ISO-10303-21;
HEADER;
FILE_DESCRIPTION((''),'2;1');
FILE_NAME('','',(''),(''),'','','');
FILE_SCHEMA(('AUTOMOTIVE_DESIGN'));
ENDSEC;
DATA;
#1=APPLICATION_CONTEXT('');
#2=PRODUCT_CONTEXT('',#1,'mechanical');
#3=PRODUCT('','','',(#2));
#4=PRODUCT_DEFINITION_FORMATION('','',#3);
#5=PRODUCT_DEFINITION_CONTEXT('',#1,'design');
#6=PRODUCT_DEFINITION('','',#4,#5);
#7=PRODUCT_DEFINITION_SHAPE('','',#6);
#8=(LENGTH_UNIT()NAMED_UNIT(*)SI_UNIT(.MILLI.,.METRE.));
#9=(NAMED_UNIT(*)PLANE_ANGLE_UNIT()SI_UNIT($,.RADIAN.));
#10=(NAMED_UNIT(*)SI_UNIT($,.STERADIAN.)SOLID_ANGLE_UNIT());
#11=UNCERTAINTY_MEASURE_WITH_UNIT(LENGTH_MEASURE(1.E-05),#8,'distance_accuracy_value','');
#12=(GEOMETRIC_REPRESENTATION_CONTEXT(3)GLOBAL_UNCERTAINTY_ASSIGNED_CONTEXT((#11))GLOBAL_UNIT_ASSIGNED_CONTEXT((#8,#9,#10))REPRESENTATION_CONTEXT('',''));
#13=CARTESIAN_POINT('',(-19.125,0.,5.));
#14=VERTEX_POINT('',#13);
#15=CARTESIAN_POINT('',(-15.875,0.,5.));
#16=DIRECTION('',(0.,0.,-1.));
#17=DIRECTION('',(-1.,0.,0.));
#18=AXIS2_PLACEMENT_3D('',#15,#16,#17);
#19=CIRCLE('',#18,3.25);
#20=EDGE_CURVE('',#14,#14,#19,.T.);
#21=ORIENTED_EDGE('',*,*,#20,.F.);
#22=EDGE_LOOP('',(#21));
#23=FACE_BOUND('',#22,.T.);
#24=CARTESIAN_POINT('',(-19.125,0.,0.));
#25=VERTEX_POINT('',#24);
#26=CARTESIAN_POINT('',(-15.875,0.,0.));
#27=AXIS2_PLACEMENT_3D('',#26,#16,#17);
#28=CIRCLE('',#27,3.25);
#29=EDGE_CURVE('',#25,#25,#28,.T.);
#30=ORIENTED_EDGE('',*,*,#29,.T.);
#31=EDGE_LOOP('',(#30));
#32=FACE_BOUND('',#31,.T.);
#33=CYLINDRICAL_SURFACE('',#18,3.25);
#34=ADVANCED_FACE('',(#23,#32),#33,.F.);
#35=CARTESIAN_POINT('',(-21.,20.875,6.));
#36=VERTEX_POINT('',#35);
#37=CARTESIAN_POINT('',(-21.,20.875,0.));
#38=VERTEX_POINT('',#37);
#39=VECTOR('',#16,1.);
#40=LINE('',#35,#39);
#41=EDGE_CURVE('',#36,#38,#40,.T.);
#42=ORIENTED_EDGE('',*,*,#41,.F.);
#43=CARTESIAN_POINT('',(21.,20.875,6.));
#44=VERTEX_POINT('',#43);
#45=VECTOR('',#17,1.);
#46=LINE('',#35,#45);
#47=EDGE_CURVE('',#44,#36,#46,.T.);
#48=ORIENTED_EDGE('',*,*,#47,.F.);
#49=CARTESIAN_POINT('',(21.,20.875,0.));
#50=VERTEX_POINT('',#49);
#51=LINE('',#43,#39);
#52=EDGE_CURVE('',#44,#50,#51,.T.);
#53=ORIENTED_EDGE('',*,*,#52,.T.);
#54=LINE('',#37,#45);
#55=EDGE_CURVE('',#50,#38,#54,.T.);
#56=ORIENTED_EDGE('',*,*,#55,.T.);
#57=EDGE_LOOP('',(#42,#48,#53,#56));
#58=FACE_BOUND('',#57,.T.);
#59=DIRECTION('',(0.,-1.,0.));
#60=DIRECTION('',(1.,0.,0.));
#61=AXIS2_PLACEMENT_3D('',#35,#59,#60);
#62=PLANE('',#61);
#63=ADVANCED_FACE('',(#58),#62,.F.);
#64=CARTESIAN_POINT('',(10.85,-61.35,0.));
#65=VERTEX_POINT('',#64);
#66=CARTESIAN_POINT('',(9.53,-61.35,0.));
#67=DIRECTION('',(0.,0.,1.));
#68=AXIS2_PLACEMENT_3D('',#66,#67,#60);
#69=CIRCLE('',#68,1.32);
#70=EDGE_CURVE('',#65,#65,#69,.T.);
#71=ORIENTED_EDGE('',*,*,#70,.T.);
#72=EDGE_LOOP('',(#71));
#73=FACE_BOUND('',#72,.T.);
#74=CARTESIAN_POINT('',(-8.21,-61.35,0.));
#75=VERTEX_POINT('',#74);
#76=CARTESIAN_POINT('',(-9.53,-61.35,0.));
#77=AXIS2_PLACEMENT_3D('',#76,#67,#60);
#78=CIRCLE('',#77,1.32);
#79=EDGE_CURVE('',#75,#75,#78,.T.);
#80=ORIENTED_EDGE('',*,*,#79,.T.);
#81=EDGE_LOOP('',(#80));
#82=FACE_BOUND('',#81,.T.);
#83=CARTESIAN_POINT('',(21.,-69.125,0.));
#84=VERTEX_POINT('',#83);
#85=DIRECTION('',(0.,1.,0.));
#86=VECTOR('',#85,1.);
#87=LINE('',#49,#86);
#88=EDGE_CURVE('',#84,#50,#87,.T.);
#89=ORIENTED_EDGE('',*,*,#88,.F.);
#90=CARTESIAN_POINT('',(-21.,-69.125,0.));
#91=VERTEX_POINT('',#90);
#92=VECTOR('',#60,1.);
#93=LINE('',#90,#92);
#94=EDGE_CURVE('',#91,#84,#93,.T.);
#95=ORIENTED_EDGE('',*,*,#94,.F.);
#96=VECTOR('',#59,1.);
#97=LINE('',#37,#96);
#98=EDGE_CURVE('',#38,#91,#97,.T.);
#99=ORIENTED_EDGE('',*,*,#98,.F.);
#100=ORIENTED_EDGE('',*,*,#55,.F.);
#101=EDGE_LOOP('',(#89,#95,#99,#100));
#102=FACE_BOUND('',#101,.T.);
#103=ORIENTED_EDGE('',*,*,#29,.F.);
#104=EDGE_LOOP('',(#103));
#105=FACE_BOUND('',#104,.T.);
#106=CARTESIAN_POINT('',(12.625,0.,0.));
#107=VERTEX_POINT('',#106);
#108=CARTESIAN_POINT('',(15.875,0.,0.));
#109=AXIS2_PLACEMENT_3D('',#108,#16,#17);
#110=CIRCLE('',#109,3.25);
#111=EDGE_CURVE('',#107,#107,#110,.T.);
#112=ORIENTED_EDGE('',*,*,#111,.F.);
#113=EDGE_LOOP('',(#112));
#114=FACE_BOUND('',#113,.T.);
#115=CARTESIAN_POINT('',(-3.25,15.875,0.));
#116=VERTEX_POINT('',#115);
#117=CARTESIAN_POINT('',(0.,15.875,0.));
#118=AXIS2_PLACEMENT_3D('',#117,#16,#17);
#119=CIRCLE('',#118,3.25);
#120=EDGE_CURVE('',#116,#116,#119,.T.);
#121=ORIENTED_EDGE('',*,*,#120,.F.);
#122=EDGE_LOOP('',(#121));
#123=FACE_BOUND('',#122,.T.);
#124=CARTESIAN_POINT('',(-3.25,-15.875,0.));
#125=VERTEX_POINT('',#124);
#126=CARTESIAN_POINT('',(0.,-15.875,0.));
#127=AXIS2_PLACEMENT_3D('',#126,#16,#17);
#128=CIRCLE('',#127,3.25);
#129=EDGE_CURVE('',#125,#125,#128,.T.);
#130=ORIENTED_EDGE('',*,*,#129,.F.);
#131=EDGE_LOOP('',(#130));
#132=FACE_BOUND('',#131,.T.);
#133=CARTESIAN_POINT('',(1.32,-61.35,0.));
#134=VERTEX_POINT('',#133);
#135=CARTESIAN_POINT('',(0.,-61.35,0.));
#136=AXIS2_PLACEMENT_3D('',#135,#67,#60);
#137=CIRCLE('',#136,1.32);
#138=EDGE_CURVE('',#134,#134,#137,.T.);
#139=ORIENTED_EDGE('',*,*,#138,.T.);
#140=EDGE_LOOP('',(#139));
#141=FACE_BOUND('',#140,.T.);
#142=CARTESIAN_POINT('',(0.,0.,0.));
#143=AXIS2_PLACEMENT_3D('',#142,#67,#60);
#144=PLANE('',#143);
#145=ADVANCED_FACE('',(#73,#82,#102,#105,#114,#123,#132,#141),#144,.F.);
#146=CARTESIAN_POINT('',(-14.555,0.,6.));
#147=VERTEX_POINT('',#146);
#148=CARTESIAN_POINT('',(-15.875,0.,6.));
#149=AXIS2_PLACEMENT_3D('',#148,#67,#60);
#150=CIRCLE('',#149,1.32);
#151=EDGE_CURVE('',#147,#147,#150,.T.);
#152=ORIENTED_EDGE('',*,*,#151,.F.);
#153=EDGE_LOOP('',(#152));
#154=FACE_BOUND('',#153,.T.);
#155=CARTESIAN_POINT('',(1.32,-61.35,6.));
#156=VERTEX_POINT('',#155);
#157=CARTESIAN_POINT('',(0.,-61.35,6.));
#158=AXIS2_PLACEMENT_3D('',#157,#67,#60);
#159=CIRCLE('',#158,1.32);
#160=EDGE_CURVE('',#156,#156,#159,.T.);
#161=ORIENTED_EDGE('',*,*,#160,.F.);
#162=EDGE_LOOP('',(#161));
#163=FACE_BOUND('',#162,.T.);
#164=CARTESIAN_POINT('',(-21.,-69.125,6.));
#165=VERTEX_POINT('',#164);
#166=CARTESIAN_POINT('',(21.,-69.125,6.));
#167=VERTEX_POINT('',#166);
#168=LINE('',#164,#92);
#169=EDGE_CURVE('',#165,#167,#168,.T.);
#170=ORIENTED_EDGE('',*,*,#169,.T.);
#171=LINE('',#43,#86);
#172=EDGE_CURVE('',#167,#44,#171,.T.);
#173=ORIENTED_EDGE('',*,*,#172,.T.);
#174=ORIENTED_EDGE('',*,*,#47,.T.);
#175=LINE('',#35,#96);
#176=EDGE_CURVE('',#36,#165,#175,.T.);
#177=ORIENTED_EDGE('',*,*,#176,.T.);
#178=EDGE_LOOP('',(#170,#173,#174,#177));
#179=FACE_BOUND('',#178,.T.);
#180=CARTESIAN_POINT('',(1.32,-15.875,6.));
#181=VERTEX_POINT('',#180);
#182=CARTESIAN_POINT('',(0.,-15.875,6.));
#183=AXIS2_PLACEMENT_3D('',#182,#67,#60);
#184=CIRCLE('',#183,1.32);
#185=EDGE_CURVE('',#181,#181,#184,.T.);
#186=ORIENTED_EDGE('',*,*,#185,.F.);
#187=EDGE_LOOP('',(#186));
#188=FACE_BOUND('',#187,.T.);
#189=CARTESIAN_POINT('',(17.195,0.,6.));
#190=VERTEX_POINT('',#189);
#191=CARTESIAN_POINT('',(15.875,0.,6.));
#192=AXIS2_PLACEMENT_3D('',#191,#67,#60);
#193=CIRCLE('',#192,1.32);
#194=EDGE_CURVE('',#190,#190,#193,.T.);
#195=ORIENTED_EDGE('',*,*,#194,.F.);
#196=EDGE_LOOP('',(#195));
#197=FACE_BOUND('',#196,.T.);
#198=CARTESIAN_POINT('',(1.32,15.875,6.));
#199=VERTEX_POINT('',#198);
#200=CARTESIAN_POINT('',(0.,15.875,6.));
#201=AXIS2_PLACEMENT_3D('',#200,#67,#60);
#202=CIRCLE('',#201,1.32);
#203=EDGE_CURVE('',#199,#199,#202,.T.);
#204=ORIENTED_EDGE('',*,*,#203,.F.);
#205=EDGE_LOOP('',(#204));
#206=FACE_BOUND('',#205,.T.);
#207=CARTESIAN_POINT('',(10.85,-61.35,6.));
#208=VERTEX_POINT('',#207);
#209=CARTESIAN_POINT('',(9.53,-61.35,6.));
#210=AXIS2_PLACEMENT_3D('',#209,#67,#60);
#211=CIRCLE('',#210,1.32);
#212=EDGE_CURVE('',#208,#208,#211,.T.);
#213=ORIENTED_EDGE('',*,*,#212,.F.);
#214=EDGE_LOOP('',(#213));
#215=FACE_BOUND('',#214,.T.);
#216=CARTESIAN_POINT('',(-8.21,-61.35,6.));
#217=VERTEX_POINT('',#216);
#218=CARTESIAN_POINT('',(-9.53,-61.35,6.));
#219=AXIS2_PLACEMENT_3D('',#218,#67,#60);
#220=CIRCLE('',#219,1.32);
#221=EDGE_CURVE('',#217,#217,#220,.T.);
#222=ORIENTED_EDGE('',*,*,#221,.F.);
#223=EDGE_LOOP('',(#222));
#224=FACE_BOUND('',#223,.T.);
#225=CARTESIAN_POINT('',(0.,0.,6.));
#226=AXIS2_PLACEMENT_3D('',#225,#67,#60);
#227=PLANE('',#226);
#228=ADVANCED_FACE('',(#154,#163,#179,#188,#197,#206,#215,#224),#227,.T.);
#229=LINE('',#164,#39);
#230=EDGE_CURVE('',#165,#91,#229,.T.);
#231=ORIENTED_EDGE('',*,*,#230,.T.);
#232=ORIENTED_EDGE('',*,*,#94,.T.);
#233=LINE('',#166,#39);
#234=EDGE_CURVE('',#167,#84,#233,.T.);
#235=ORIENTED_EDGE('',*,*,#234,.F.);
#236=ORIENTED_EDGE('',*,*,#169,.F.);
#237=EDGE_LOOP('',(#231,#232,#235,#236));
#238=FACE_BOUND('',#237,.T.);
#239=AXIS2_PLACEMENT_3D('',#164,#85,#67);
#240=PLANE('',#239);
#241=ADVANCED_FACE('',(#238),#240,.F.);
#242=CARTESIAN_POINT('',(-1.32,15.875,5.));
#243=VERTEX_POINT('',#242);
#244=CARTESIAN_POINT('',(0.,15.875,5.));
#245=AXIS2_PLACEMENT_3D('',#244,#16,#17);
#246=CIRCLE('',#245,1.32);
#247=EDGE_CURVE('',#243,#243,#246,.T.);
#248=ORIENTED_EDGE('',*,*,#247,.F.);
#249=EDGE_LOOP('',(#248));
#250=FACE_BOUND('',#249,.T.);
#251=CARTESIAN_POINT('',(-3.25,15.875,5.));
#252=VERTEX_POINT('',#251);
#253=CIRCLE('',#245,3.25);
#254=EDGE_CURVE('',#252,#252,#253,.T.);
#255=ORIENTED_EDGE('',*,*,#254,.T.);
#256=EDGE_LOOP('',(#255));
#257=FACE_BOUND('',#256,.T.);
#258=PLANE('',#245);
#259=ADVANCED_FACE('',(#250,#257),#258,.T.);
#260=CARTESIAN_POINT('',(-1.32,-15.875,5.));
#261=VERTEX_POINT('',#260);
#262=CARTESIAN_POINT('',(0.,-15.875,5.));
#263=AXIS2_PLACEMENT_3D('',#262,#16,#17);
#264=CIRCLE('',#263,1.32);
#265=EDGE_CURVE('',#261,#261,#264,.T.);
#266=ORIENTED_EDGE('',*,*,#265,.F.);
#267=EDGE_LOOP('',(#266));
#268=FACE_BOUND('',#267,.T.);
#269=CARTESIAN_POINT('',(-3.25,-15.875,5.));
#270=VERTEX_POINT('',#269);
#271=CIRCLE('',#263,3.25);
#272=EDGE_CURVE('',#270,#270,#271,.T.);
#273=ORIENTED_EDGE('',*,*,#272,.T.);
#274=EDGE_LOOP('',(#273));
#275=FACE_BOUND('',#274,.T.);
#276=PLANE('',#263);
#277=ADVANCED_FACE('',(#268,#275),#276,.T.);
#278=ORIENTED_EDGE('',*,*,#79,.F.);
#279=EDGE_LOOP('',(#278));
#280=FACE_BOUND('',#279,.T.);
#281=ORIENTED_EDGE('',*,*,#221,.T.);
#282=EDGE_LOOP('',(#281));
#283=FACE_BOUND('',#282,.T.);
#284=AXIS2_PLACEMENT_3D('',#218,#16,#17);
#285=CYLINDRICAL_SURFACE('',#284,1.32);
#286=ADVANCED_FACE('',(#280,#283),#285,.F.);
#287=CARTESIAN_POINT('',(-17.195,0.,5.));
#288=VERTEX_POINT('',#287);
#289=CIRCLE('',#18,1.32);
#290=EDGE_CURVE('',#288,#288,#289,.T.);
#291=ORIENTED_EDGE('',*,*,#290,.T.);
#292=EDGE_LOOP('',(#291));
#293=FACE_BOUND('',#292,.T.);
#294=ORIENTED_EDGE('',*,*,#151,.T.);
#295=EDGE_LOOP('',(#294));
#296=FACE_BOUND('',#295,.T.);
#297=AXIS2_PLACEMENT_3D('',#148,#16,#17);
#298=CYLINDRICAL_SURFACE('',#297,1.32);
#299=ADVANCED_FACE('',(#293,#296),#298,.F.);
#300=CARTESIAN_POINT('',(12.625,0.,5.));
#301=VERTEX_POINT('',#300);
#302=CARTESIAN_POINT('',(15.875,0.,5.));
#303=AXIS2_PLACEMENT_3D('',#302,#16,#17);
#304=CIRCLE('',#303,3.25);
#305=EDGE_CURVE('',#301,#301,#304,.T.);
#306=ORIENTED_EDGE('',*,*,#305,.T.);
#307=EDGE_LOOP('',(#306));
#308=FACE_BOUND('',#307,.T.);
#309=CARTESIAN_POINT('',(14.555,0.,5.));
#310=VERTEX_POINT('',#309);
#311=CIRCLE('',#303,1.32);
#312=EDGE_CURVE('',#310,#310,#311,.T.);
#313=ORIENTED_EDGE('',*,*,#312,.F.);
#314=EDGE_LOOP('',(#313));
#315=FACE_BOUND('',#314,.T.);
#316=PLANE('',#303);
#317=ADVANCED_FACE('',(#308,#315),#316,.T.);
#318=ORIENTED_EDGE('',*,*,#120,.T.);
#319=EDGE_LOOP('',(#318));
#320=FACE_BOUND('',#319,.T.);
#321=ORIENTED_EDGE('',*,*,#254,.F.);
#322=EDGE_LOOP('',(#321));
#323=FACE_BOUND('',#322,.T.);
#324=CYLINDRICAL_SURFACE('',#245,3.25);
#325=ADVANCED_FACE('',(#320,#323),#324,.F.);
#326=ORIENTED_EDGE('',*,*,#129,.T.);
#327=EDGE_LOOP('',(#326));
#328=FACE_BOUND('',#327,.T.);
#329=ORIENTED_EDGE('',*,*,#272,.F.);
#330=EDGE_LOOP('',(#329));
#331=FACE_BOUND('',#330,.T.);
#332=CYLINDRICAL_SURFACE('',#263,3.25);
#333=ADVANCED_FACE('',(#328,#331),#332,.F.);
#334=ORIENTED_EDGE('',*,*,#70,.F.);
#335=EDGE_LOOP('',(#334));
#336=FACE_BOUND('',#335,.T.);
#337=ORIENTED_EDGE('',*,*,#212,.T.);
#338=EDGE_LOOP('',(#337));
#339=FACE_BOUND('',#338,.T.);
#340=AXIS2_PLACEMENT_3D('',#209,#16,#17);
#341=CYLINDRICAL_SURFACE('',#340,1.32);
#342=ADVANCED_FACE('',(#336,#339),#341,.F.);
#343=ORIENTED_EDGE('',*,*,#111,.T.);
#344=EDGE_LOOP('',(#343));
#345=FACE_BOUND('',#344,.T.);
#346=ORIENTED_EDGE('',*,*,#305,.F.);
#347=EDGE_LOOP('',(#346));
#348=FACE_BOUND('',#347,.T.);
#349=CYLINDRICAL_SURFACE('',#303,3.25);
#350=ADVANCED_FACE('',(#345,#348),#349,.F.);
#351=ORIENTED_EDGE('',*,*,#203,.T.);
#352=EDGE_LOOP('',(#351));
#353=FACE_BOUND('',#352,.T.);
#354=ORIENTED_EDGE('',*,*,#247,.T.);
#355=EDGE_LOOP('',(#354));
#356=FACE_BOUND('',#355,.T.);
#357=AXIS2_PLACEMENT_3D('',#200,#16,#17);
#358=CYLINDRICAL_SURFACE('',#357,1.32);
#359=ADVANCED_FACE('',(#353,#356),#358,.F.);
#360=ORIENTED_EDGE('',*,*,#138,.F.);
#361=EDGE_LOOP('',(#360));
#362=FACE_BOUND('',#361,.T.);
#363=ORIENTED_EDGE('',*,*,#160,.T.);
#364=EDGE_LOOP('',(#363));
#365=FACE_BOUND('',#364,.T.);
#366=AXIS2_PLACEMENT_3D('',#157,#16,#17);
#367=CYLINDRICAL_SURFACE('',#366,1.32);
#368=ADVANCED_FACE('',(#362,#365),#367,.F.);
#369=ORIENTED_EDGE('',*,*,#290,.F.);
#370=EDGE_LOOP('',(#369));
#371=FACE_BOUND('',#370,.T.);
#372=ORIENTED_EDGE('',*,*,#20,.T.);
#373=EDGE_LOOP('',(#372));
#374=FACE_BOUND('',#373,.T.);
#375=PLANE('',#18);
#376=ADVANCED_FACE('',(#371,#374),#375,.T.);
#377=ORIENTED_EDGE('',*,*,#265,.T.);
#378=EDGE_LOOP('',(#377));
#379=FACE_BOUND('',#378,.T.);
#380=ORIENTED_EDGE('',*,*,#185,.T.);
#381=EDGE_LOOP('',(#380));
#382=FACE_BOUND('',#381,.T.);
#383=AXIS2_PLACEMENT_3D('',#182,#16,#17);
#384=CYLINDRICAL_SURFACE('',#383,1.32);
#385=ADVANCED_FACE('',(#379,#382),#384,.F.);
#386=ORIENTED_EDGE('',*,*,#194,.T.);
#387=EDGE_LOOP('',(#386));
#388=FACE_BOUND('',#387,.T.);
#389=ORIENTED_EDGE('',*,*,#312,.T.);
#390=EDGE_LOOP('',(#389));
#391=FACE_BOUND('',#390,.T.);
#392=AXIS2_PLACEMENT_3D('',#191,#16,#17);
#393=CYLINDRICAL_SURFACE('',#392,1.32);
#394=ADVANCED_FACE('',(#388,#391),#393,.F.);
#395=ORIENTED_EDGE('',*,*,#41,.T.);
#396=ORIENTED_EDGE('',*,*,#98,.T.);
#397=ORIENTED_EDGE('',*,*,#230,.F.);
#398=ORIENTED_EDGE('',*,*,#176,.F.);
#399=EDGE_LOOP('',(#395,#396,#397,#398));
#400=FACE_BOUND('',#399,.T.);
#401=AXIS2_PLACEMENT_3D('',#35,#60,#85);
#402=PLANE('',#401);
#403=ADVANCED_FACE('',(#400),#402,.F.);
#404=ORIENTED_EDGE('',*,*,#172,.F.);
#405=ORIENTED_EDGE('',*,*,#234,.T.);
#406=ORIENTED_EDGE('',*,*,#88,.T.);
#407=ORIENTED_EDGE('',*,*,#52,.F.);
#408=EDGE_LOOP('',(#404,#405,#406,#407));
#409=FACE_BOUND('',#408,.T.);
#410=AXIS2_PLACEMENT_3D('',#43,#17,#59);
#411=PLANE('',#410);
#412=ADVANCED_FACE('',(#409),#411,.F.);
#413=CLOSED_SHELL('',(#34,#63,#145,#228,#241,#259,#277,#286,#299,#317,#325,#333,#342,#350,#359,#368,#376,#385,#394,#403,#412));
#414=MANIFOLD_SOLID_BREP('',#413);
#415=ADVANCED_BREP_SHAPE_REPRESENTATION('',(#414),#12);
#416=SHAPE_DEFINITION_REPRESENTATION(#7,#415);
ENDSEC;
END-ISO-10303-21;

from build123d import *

# Parameters (mm, degrees)
SKETCH1_W           = 42
SKETCH1_H           = 90
SKETCH1_R           = 1.32
BOSS_EXTRUDE1_DEPTH = 6
SKETCH2_R           = 3.25
CUT_EXTRUDE1_DEPTH  = 5


with BuildPart() as part:
    # Sketch1 → Boss-Extrude1 (new body)
    with BuildSketch(Plane.XY):
        with Locations((0, -24.125)):
            Rectangle(SKETCH1_W, SKETCH1_H)
        with Locations((0, -15.875)):
            Circle(SKETCH1_R, mode=Mode.SUBTRACT)
        with Locations((-15.875, 0)):
            Circle(SKETCH1_R, mode=Mode.SUBTRACT)
        with Locations((0, 15.875)):
            Circle(SKETCH1_R, mode=Mode.SUBTRACT)
        with Locations((-9.53, -61.35)):
            Circle(SKETCH1_R, mode=Mode.SUBTRACT)
        with Locations((0, -61.35)):
            Circle(SKETCH1_R, mode=Mode.SUBTRACT)
        with Locations((9.53, -61.35)):
            Circle(SKETCH1_R, mode=Mode.SUBTRACT)
        with Locations((15.875, 0)):
            Circle(SKETCH1_R, mode=Mode.SUBTRACT)
    extrude(amount=BOSS_EXTRUDE1_DEPTH)

    # Sketch2 → Cut-Extrude1 (cut)
    with BuildSketch(Plane(origin=(0, 0, 0), x_dir=(-1, 0, 0), z_dir=(0, 0, -1))):
        with Locations((-15.875, 0)):
            Circle(SKETCH2_R)
        with Locations((0, 15.875)):
            Circle(SKETCH2_R)
        with Locations((15.875, 0)):
            Circle(SKETCH2_R)
        with Locations((0, -15.875)):
            Circle(SKETCH2_R)
    extrude(amount=-CUT_EXTRUDE1_DEPTH, mode=Mode.SUBTRACT)


solid = part.part
